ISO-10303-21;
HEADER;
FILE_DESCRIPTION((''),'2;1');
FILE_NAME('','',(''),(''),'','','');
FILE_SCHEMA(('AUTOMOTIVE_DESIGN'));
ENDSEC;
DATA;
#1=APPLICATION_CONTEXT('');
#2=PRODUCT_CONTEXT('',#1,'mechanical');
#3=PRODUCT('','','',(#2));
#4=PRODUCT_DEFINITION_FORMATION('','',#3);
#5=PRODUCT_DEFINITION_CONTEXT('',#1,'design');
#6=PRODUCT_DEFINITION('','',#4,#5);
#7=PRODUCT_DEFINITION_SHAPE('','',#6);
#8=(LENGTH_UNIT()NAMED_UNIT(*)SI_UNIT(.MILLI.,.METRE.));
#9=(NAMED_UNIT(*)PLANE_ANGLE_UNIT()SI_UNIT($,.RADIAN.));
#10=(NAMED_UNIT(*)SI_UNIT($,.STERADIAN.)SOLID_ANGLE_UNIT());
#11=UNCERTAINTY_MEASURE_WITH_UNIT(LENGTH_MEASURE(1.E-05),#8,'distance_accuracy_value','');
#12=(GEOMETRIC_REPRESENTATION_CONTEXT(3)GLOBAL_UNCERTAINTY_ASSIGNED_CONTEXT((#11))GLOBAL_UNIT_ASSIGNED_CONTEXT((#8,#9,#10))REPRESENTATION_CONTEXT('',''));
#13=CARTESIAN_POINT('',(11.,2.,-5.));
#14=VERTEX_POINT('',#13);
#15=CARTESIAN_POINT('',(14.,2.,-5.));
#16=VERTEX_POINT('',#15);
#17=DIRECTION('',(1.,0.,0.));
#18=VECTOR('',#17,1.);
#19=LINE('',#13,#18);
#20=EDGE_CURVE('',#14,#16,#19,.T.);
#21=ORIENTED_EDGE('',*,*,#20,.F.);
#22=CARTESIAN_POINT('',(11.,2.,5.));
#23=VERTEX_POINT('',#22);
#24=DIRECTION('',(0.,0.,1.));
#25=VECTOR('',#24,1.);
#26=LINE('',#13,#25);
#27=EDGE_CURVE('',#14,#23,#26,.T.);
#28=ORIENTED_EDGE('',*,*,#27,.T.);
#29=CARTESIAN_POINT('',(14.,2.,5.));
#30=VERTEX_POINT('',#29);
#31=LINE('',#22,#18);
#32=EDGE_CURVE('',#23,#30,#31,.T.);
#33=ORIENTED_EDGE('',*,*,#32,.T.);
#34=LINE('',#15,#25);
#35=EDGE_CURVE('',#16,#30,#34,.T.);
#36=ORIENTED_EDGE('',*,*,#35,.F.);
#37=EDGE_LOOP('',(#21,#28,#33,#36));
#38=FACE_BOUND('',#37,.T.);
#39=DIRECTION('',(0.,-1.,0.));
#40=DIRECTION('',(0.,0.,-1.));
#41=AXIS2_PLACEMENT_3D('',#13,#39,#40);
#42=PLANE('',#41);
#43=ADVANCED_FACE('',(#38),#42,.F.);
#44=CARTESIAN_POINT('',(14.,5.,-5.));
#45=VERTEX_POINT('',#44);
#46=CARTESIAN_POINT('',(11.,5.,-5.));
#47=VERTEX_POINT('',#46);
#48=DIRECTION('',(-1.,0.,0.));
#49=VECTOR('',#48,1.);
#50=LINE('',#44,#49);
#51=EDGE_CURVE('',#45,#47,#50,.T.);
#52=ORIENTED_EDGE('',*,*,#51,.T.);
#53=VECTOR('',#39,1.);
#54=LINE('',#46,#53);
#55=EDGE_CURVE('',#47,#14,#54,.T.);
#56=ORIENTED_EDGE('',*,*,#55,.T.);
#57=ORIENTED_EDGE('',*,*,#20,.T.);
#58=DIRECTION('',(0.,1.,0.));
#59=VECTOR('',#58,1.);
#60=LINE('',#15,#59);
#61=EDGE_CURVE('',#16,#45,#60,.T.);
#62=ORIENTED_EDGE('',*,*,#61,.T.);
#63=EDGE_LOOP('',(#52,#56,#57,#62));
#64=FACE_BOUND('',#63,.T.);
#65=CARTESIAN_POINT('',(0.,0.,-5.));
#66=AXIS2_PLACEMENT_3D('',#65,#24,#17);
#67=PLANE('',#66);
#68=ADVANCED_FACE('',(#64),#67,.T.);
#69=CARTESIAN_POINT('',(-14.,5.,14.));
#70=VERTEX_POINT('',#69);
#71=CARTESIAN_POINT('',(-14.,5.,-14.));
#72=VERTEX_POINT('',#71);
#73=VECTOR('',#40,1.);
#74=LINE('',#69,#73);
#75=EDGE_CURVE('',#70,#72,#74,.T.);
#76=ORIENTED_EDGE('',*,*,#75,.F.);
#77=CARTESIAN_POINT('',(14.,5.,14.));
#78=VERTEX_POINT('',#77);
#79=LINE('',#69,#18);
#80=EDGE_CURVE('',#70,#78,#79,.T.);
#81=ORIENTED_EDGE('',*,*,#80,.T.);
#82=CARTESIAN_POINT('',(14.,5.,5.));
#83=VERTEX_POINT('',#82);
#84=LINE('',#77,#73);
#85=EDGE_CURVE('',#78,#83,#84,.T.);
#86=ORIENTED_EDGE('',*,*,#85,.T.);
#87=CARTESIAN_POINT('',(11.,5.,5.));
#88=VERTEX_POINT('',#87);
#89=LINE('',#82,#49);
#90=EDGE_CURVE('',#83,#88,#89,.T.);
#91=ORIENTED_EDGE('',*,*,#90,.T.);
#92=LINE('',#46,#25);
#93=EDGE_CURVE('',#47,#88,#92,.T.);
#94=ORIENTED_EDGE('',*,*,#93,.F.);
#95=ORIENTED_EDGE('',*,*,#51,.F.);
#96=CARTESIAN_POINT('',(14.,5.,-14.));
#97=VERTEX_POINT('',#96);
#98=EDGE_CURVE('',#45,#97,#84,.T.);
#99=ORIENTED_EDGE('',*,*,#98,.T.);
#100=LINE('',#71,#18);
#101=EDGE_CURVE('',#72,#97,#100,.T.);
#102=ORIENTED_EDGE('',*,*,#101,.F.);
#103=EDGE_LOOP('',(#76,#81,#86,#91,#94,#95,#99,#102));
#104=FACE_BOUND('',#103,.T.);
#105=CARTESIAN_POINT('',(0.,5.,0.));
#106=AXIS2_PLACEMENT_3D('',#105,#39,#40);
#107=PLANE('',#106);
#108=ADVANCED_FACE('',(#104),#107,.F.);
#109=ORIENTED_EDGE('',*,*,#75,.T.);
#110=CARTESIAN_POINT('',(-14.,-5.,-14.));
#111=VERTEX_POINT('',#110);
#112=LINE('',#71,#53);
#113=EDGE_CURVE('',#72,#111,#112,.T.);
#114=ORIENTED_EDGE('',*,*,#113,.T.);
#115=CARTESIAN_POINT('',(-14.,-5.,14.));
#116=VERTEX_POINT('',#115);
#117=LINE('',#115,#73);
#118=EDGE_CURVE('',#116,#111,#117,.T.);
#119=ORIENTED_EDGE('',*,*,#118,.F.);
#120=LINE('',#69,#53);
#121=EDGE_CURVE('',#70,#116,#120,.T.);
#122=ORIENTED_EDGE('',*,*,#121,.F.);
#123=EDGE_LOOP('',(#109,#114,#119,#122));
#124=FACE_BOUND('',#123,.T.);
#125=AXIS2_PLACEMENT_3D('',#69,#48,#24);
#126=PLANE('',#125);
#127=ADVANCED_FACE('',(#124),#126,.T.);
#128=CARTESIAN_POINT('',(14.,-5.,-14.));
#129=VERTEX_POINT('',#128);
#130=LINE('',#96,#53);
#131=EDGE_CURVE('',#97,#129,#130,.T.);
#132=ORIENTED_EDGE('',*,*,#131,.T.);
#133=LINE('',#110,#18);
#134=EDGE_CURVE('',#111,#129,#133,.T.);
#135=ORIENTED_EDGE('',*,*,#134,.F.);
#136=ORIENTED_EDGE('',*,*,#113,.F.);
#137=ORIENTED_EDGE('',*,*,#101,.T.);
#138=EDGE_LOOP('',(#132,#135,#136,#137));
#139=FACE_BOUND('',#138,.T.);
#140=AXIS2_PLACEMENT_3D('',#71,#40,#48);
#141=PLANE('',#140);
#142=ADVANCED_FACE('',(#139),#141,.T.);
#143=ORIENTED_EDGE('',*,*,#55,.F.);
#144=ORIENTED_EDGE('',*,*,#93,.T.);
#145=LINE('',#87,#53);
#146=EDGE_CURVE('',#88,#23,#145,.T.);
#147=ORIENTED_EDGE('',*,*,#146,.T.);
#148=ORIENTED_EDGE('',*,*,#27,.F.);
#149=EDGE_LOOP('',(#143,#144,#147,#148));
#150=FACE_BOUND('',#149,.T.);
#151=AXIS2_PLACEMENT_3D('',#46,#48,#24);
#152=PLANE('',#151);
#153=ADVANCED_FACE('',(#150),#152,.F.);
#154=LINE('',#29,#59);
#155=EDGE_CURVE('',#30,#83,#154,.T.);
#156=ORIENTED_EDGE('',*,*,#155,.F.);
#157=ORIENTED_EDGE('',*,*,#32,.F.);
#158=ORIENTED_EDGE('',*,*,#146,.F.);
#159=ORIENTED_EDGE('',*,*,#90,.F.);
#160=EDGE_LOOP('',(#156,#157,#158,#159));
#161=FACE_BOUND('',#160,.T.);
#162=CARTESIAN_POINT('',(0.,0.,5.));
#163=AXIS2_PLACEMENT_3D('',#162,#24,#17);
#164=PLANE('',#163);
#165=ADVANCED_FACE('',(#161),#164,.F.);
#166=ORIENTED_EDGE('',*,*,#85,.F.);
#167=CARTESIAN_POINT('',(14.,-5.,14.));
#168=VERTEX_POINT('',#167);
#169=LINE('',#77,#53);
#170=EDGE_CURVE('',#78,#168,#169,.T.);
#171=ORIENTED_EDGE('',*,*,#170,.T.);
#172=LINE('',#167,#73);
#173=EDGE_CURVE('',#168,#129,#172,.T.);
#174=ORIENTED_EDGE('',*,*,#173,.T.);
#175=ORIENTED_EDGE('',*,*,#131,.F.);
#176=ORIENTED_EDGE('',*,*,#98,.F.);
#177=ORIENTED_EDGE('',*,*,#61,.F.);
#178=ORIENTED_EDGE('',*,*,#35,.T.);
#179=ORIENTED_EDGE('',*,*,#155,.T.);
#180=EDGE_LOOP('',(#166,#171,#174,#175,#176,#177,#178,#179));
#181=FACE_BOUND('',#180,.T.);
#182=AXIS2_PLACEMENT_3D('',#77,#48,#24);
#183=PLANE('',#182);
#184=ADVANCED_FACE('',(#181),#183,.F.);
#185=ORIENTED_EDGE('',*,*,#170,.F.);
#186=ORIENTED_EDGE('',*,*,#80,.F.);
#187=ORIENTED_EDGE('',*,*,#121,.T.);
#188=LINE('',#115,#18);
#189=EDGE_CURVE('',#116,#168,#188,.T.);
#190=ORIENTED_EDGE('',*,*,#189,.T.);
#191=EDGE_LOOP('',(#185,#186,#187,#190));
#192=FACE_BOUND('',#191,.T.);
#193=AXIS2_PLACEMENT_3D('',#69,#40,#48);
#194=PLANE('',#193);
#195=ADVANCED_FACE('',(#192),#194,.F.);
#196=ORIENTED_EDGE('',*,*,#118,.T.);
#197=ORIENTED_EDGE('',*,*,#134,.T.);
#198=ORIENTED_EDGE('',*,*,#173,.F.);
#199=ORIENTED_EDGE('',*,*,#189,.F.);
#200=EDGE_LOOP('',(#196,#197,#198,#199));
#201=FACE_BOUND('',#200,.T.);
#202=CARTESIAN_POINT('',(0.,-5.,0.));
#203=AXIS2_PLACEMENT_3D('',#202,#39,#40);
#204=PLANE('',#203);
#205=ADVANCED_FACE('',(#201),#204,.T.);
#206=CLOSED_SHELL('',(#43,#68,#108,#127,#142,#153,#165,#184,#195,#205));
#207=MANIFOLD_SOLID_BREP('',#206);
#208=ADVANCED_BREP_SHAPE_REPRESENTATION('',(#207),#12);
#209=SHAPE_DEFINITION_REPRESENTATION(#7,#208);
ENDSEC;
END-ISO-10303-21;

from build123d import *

# Parameters (mm, degrees)
SKETCH1_W           = 28
SKETCH1_H           = 28
BOSS_EXTRUDE1_DEPTH = 5
SKETCH2_W           = 3
SKETCH2_H           = 3
CUT_EXTRUDE1_DEPTH  = 5


with BuildPart() as part:
    # Sketch1 → Boss-Extrude1 (new body, symmetric)
    with BuildSketch(Plane(origin=(0, 0, 0), x_dir=(1, 0, 0), z_dir=(0, 1, 0))):
        Rectangle(SKETCH1_W, SKETCH1_H)
    extrude(amount=BOSS_EXTRUDE1_DEPTH, both=True)

    # Sketch2 → Cut-Extrude1 (cut, symmetric)
    with BuildSketch(Plane.XY):
        with Locations((12.5, 3.5)):
            Rectangle(SKETCH2_W, SKETCH2_H)
    extrude(amount=CUT_EXTRUDE1_DEPTH, both=True, mode=Mode.SUBTRACT)


solid = part.part
